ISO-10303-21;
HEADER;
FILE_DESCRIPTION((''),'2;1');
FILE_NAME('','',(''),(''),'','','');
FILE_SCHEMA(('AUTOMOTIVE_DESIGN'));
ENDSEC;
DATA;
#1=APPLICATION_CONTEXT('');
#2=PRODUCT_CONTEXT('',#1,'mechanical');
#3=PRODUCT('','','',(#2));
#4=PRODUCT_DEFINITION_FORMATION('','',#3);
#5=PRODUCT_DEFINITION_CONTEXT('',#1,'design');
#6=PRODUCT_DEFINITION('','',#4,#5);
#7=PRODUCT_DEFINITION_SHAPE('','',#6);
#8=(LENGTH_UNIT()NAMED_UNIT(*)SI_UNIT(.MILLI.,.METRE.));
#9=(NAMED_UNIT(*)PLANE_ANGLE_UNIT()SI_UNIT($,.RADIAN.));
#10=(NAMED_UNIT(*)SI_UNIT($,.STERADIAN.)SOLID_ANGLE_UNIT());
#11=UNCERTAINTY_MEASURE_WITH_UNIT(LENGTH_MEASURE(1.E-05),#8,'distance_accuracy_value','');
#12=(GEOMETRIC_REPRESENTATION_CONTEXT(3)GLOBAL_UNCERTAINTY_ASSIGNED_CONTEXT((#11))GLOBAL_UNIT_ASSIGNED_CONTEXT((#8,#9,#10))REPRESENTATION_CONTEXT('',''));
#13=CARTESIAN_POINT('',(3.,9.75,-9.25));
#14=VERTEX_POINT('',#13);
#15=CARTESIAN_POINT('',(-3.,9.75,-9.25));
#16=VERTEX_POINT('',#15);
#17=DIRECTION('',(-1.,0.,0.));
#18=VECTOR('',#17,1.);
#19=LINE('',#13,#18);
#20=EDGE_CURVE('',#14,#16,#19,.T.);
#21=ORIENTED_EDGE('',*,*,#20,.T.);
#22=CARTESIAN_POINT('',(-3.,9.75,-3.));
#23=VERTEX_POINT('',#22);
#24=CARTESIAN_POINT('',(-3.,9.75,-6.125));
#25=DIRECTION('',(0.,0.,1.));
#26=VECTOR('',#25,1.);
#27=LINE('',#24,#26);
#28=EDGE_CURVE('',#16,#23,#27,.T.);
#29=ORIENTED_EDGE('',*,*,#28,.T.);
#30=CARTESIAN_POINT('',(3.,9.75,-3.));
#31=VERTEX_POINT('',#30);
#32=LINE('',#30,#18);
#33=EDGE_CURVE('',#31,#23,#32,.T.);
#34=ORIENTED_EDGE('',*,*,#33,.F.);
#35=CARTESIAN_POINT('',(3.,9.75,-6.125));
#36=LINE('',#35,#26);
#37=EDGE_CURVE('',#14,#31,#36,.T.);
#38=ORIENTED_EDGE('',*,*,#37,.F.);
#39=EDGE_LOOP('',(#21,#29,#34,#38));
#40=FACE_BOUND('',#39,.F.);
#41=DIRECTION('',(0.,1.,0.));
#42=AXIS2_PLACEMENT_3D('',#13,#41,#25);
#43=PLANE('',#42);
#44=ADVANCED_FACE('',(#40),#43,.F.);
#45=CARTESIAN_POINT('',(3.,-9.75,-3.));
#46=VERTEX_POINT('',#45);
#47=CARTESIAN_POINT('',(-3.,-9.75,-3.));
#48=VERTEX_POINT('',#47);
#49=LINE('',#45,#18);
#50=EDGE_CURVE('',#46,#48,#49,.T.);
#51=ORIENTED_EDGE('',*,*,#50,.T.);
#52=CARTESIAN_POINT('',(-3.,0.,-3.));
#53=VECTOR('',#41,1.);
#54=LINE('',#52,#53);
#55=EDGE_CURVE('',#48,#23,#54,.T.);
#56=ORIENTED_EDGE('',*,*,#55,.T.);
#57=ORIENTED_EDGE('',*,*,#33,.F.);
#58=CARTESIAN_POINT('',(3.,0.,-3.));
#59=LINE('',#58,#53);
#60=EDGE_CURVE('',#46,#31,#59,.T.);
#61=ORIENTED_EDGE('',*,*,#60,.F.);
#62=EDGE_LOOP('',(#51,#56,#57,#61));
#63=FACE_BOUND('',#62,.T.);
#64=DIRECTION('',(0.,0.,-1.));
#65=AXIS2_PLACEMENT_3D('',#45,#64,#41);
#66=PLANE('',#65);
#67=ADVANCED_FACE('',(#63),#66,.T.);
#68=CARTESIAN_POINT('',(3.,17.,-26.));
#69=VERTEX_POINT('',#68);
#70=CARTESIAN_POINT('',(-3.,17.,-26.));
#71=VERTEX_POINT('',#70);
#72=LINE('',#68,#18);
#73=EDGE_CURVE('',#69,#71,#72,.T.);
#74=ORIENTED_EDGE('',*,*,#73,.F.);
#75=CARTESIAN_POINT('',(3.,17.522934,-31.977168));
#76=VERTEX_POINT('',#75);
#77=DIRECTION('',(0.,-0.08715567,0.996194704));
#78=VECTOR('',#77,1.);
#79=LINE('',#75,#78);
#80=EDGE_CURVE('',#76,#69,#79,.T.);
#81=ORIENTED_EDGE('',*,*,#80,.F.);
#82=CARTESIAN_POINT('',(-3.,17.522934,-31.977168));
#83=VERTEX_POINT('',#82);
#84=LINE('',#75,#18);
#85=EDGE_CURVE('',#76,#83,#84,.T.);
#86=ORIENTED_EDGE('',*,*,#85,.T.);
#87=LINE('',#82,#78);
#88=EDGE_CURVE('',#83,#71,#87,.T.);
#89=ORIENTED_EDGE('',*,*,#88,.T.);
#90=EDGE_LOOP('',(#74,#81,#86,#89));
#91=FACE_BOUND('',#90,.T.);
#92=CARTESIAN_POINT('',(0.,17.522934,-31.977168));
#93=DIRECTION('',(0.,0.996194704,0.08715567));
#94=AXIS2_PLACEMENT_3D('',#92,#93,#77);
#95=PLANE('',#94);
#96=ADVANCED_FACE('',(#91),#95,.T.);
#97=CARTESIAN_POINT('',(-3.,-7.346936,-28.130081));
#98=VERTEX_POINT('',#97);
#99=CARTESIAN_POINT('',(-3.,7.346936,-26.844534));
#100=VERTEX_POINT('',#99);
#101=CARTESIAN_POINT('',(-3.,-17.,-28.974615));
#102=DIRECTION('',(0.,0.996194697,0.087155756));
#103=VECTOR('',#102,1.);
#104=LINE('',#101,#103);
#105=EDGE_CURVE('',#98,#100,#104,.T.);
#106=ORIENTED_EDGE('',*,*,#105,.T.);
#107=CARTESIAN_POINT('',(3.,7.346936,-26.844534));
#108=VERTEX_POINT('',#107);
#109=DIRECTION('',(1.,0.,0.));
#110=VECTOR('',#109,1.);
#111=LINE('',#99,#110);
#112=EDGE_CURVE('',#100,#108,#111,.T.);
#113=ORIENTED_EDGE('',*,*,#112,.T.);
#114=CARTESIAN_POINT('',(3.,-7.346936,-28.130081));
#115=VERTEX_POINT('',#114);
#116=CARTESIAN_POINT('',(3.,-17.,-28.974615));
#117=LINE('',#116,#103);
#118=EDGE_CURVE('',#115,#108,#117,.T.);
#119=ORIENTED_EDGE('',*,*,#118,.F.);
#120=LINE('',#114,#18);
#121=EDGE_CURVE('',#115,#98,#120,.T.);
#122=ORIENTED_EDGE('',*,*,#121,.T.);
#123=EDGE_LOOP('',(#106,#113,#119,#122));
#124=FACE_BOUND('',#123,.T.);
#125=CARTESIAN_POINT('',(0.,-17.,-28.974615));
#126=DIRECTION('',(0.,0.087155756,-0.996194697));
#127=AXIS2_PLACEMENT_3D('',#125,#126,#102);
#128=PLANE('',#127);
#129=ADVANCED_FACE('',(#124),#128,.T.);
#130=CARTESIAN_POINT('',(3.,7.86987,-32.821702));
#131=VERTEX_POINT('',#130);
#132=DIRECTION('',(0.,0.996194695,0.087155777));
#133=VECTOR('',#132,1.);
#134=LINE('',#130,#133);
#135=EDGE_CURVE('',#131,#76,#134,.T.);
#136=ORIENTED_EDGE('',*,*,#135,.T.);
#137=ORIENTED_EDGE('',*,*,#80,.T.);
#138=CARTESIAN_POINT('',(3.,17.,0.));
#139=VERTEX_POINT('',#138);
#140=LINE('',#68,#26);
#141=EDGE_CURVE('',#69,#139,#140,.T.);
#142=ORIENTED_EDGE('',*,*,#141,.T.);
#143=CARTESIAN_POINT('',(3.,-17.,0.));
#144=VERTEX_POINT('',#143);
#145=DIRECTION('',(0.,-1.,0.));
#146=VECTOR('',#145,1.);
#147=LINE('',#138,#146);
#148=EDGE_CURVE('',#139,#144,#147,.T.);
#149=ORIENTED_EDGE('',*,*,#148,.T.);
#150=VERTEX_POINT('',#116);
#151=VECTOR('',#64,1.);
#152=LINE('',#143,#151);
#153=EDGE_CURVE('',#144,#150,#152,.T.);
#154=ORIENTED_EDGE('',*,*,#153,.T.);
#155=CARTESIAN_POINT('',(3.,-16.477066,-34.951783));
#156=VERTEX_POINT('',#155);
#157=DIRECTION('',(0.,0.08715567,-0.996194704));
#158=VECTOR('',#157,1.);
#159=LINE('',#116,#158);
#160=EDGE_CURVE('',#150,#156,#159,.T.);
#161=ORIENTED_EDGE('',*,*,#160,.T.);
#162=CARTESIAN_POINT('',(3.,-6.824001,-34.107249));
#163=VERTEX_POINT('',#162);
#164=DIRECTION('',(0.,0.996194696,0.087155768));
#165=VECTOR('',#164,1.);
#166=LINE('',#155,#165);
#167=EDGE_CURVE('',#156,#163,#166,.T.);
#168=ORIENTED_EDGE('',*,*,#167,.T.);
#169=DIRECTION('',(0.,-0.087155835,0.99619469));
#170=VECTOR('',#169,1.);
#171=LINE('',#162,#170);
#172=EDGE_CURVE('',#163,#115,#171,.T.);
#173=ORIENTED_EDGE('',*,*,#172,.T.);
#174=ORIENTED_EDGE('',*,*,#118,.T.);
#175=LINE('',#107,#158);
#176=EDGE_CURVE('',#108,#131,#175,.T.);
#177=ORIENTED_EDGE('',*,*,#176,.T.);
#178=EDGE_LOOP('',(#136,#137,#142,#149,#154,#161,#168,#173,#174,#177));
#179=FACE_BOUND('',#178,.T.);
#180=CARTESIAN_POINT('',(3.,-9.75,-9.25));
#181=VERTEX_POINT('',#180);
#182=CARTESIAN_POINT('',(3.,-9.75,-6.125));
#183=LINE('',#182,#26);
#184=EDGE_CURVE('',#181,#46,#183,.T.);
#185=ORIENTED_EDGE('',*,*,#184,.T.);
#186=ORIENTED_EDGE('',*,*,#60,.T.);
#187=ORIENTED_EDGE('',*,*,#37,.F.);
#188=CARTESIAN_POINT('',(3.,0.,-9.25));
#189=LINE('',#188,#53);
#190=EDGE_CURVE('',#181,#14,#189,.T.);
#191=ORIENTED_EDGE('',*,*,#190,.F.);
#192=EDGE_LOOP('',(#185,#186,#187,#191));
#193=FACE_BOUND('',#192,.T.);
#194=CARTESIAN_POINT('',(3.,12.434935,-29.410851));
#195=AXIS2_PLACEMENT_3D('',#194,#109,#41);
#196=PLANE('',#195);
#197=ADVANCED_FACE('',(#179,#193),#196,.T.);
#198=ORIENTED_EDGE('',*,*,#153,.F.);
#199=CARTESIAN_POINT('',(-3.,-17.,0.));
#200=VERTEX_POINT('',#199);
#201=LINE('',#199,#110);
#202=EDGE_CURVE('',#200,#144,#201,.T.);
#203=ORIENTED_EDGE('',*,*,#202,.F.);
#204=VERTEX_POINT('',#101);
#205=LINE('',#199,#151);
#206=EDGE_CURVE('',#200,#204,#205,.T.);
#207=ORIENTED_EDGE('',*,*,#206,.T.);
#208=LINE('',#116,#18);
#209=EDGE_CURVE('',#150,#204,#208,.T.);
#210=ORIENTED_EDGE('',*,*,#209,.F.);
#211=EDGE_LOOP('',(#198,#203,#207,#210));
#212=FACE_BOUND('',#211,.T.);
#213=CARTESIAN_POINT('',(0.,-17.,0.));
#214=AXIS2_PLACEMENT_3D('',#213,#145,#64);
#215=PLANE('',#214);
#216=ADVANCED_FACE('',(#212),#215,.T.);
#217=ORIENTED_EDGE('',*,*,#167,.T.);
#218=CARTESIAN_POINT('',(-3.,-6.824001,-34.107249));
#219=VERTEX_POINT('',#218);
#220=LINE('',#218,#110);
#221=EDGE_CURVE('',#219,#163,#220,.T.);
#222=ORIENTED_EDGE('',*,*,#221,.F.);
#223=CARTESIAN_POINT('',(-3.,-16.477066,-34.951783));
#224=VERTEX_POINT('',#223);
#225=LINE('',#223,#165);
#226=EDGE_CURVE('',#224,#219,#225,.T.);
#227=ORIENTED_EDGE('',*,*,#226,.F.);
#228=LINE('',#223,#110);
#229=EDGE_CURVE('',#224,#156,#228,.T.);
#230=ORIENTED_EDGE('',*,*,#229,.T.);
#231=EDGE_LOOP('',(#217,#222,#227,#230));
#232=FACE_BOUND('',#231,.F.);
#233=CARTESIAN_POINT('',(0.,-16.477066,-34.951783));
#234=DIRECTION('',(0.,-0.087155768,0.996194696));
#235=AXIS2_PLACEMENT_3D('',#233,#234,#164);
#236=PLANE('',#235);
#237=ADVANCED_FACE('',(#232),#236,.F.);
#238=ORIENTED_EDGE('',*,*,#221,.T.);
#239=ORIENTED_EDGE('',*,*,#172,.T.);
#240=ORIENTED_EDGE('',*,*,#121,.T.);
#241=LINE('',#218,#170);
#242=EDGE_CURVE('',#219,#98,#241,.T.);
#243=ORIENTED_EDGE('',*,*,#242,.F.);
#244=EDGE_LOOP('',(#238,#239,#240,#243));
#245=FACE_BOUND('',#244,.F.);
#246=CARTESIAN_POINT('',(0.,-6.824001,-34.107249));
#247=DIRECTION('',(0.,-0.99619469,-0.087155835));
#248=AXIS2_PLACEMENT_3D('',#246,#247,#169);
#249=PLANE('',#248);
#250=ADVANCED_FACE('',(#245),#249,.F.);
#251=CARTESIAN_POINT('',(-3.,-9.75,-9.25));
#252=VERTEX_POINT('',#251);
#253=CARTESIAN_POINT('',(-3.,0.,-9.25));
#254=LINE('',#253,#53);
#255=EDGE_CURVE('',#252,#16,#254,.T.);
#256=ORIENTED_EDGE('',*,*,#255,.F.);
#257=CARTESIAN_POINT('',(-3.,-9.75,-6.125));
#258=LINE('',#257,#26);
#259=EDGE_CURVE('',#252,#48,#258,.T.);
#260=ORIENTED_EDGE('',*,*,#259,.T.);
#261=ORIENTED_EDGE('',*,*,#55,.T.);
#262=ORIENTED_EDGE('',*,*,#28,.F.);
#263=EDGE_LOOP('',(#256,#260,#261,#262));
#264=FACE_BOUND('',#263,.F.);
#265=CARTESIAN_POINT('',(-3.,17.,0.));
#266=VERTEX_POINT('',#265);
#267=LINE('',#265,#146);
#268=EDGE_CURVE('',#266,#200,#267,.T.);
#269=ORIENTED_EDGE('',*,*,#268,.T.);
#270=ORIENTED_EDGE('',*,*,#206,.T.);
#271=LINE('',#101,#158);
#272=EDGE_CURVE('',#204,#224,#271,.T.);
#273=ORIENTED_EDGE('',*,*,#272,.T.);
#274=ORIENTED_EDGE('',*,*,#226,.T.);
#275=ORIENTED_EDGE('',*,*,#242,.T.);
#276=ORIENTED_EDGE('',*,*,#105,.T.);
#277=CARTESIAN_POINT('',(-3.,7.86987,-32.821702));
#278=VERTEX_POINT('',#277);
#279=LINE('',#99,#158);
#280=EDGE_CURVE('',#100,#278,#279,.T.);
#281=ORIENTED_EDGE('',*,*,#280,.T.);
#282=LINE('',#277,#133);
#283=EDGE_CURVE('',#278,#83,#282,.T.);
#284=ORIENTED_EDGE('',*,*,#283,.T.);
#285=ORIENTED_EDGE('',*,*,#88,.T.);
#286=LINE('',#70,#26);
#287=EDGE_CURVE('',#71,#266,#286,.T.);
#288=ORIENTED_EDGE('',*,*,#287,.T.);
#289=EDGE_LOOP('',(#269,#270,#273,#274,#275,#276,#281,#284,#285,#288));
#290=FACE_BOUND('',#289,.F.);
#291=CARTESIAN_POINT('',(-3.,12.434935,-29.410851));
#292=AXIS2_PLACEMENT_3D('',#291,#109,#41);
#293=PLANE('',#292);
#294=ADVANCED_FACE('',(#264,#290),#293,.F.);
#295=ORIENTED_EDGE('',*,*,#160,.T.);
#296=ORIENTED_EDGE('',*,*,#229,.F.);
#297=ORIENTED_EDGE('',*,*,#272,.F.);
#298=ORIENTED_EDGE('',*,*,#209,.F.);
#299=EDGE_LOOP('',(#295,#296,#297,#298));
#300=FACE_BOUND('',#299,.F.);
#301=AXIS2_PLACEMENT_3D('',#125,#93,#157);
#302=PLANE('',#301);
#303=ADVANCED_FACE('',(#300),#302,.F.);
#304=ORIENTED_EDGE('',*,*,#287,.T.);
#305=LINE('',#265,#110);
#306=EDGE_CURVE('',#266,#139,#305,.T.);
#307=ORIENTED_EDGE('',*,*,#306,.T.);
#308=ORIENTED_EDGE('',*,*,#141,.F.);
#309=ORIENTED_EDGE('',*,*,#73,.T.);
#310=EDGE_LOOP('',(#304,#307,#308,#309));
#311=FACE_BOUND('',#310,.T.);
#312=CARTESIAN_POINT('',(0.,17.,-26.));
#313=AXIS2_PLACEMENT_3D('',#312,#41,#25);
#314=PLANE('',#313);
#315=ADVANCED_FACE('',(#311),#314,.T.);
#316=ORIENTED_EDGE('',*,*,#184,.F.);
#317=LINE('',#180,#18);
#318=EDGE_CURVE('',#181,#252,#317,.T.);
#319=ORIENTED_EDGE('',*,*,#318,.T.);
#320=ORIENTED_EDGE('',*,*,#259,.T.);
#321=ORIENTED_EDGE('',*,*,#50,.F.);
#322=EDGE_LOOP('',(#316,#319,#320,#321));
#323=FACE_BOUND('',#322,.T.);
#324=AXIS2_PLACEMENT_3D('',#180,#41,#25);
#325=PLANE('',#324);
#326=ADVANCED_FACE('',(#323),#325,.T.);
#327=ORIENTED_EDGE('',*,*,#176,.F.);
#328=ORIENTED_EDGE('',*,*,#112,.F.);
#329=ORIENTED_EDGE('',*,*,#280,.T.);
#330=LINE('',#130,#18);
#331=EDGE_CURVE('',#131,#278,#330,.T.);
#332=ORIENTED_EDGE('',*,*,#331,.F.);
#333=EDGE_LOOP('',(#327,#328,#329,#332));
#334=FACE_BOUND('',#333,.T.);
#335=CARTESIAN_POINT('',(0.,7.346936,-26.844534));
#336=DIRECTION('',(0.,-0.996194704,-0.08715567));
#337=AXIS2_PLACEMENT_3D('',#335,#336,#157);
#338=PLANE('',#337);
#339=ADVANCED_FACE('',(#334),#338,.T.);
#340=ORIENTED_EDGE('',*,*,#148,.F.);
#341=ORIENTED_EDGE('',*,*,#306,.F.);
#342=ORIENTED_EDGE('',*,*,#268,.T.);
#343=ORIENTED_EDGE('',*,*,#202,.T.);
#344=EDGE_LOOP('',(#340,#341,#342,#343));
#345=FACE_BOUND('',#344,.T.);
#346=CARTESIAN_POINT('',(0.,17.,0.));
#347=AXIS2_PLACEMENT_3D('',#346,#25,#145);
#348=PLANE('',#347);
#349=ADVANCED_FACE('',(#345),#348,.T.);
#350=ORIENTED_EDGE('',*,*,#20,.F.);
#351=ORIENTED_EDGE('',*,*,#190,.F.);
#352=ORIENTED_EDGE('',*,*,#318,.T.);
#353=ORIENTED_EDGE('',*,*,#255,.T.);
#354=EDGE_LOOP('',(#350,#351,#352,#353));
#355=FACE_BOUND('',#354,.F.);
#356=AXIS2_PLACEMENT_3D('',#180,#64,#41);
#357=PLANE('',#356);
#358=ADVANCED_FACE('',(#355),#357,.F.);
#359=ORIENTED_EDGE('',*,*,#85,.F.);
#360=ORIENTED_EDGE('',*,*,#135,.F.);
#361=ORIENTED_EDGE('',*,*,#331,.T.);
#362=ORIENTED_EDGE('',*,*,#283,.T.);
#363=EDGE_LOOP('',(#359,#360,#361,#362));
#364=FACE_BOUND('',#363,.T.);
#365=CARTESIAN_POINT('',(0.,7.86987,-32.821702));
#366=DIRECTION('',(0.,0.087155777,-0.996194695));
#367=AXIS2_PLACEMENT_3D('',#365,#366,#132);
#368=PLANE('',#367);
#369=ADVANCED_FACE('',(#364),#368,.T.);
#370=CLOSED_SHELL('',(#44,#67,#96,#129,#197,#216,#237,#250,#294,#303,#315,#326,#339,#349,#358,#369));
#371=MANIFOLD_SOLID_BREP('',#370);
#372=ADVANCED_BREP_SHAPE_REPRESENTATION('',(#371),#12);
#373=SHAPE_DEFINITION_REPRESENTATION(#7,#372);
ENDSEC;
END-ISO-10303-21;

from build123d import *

# Parameters (mm, degrees)
F1_DEPTH = 3
F3_DEPTH = 3
F4_W     = 19.5
F4_H     = 6.25
F5_DEPTH = 6


with BuildPart() as f1:
    # F0 (on Right) → F1 (new body, symmetric)
    with BuildSketch(Plane.YZ):
        Polygon((17, -26), (17, 0), (-17, 0), (-17, -28.974615), align=None)
    extrude(amount=F1_DEPTH, both=True)

    # F2 (on Right) → F3 (join, symmetric)
    with BuildSketch(Plane.YZ):
        Polygon((-17, -28.974615), (-16.477066, -34.951783), (-6.824001, -34.107249), (-7.346936, -28.130081), align=None)
        Polygon((17.522934, -31.977168), (17, -26), (7.346936, -26.844534), (7.86987, -32.821702), align=None)
    extrude(amount=F3_DEPTH, both=True)

    # F4 (on face) → F5 (cut, through all)
    with BuildSketch(Plane.YZ.offset(3)):
        with Locations((0, -6.125)):
            Rectangle(F4_W, F4_H)
    extrude(amount=-F5_DEPTH, mode=Mode.SUBTRACT)


solid = f1.part
